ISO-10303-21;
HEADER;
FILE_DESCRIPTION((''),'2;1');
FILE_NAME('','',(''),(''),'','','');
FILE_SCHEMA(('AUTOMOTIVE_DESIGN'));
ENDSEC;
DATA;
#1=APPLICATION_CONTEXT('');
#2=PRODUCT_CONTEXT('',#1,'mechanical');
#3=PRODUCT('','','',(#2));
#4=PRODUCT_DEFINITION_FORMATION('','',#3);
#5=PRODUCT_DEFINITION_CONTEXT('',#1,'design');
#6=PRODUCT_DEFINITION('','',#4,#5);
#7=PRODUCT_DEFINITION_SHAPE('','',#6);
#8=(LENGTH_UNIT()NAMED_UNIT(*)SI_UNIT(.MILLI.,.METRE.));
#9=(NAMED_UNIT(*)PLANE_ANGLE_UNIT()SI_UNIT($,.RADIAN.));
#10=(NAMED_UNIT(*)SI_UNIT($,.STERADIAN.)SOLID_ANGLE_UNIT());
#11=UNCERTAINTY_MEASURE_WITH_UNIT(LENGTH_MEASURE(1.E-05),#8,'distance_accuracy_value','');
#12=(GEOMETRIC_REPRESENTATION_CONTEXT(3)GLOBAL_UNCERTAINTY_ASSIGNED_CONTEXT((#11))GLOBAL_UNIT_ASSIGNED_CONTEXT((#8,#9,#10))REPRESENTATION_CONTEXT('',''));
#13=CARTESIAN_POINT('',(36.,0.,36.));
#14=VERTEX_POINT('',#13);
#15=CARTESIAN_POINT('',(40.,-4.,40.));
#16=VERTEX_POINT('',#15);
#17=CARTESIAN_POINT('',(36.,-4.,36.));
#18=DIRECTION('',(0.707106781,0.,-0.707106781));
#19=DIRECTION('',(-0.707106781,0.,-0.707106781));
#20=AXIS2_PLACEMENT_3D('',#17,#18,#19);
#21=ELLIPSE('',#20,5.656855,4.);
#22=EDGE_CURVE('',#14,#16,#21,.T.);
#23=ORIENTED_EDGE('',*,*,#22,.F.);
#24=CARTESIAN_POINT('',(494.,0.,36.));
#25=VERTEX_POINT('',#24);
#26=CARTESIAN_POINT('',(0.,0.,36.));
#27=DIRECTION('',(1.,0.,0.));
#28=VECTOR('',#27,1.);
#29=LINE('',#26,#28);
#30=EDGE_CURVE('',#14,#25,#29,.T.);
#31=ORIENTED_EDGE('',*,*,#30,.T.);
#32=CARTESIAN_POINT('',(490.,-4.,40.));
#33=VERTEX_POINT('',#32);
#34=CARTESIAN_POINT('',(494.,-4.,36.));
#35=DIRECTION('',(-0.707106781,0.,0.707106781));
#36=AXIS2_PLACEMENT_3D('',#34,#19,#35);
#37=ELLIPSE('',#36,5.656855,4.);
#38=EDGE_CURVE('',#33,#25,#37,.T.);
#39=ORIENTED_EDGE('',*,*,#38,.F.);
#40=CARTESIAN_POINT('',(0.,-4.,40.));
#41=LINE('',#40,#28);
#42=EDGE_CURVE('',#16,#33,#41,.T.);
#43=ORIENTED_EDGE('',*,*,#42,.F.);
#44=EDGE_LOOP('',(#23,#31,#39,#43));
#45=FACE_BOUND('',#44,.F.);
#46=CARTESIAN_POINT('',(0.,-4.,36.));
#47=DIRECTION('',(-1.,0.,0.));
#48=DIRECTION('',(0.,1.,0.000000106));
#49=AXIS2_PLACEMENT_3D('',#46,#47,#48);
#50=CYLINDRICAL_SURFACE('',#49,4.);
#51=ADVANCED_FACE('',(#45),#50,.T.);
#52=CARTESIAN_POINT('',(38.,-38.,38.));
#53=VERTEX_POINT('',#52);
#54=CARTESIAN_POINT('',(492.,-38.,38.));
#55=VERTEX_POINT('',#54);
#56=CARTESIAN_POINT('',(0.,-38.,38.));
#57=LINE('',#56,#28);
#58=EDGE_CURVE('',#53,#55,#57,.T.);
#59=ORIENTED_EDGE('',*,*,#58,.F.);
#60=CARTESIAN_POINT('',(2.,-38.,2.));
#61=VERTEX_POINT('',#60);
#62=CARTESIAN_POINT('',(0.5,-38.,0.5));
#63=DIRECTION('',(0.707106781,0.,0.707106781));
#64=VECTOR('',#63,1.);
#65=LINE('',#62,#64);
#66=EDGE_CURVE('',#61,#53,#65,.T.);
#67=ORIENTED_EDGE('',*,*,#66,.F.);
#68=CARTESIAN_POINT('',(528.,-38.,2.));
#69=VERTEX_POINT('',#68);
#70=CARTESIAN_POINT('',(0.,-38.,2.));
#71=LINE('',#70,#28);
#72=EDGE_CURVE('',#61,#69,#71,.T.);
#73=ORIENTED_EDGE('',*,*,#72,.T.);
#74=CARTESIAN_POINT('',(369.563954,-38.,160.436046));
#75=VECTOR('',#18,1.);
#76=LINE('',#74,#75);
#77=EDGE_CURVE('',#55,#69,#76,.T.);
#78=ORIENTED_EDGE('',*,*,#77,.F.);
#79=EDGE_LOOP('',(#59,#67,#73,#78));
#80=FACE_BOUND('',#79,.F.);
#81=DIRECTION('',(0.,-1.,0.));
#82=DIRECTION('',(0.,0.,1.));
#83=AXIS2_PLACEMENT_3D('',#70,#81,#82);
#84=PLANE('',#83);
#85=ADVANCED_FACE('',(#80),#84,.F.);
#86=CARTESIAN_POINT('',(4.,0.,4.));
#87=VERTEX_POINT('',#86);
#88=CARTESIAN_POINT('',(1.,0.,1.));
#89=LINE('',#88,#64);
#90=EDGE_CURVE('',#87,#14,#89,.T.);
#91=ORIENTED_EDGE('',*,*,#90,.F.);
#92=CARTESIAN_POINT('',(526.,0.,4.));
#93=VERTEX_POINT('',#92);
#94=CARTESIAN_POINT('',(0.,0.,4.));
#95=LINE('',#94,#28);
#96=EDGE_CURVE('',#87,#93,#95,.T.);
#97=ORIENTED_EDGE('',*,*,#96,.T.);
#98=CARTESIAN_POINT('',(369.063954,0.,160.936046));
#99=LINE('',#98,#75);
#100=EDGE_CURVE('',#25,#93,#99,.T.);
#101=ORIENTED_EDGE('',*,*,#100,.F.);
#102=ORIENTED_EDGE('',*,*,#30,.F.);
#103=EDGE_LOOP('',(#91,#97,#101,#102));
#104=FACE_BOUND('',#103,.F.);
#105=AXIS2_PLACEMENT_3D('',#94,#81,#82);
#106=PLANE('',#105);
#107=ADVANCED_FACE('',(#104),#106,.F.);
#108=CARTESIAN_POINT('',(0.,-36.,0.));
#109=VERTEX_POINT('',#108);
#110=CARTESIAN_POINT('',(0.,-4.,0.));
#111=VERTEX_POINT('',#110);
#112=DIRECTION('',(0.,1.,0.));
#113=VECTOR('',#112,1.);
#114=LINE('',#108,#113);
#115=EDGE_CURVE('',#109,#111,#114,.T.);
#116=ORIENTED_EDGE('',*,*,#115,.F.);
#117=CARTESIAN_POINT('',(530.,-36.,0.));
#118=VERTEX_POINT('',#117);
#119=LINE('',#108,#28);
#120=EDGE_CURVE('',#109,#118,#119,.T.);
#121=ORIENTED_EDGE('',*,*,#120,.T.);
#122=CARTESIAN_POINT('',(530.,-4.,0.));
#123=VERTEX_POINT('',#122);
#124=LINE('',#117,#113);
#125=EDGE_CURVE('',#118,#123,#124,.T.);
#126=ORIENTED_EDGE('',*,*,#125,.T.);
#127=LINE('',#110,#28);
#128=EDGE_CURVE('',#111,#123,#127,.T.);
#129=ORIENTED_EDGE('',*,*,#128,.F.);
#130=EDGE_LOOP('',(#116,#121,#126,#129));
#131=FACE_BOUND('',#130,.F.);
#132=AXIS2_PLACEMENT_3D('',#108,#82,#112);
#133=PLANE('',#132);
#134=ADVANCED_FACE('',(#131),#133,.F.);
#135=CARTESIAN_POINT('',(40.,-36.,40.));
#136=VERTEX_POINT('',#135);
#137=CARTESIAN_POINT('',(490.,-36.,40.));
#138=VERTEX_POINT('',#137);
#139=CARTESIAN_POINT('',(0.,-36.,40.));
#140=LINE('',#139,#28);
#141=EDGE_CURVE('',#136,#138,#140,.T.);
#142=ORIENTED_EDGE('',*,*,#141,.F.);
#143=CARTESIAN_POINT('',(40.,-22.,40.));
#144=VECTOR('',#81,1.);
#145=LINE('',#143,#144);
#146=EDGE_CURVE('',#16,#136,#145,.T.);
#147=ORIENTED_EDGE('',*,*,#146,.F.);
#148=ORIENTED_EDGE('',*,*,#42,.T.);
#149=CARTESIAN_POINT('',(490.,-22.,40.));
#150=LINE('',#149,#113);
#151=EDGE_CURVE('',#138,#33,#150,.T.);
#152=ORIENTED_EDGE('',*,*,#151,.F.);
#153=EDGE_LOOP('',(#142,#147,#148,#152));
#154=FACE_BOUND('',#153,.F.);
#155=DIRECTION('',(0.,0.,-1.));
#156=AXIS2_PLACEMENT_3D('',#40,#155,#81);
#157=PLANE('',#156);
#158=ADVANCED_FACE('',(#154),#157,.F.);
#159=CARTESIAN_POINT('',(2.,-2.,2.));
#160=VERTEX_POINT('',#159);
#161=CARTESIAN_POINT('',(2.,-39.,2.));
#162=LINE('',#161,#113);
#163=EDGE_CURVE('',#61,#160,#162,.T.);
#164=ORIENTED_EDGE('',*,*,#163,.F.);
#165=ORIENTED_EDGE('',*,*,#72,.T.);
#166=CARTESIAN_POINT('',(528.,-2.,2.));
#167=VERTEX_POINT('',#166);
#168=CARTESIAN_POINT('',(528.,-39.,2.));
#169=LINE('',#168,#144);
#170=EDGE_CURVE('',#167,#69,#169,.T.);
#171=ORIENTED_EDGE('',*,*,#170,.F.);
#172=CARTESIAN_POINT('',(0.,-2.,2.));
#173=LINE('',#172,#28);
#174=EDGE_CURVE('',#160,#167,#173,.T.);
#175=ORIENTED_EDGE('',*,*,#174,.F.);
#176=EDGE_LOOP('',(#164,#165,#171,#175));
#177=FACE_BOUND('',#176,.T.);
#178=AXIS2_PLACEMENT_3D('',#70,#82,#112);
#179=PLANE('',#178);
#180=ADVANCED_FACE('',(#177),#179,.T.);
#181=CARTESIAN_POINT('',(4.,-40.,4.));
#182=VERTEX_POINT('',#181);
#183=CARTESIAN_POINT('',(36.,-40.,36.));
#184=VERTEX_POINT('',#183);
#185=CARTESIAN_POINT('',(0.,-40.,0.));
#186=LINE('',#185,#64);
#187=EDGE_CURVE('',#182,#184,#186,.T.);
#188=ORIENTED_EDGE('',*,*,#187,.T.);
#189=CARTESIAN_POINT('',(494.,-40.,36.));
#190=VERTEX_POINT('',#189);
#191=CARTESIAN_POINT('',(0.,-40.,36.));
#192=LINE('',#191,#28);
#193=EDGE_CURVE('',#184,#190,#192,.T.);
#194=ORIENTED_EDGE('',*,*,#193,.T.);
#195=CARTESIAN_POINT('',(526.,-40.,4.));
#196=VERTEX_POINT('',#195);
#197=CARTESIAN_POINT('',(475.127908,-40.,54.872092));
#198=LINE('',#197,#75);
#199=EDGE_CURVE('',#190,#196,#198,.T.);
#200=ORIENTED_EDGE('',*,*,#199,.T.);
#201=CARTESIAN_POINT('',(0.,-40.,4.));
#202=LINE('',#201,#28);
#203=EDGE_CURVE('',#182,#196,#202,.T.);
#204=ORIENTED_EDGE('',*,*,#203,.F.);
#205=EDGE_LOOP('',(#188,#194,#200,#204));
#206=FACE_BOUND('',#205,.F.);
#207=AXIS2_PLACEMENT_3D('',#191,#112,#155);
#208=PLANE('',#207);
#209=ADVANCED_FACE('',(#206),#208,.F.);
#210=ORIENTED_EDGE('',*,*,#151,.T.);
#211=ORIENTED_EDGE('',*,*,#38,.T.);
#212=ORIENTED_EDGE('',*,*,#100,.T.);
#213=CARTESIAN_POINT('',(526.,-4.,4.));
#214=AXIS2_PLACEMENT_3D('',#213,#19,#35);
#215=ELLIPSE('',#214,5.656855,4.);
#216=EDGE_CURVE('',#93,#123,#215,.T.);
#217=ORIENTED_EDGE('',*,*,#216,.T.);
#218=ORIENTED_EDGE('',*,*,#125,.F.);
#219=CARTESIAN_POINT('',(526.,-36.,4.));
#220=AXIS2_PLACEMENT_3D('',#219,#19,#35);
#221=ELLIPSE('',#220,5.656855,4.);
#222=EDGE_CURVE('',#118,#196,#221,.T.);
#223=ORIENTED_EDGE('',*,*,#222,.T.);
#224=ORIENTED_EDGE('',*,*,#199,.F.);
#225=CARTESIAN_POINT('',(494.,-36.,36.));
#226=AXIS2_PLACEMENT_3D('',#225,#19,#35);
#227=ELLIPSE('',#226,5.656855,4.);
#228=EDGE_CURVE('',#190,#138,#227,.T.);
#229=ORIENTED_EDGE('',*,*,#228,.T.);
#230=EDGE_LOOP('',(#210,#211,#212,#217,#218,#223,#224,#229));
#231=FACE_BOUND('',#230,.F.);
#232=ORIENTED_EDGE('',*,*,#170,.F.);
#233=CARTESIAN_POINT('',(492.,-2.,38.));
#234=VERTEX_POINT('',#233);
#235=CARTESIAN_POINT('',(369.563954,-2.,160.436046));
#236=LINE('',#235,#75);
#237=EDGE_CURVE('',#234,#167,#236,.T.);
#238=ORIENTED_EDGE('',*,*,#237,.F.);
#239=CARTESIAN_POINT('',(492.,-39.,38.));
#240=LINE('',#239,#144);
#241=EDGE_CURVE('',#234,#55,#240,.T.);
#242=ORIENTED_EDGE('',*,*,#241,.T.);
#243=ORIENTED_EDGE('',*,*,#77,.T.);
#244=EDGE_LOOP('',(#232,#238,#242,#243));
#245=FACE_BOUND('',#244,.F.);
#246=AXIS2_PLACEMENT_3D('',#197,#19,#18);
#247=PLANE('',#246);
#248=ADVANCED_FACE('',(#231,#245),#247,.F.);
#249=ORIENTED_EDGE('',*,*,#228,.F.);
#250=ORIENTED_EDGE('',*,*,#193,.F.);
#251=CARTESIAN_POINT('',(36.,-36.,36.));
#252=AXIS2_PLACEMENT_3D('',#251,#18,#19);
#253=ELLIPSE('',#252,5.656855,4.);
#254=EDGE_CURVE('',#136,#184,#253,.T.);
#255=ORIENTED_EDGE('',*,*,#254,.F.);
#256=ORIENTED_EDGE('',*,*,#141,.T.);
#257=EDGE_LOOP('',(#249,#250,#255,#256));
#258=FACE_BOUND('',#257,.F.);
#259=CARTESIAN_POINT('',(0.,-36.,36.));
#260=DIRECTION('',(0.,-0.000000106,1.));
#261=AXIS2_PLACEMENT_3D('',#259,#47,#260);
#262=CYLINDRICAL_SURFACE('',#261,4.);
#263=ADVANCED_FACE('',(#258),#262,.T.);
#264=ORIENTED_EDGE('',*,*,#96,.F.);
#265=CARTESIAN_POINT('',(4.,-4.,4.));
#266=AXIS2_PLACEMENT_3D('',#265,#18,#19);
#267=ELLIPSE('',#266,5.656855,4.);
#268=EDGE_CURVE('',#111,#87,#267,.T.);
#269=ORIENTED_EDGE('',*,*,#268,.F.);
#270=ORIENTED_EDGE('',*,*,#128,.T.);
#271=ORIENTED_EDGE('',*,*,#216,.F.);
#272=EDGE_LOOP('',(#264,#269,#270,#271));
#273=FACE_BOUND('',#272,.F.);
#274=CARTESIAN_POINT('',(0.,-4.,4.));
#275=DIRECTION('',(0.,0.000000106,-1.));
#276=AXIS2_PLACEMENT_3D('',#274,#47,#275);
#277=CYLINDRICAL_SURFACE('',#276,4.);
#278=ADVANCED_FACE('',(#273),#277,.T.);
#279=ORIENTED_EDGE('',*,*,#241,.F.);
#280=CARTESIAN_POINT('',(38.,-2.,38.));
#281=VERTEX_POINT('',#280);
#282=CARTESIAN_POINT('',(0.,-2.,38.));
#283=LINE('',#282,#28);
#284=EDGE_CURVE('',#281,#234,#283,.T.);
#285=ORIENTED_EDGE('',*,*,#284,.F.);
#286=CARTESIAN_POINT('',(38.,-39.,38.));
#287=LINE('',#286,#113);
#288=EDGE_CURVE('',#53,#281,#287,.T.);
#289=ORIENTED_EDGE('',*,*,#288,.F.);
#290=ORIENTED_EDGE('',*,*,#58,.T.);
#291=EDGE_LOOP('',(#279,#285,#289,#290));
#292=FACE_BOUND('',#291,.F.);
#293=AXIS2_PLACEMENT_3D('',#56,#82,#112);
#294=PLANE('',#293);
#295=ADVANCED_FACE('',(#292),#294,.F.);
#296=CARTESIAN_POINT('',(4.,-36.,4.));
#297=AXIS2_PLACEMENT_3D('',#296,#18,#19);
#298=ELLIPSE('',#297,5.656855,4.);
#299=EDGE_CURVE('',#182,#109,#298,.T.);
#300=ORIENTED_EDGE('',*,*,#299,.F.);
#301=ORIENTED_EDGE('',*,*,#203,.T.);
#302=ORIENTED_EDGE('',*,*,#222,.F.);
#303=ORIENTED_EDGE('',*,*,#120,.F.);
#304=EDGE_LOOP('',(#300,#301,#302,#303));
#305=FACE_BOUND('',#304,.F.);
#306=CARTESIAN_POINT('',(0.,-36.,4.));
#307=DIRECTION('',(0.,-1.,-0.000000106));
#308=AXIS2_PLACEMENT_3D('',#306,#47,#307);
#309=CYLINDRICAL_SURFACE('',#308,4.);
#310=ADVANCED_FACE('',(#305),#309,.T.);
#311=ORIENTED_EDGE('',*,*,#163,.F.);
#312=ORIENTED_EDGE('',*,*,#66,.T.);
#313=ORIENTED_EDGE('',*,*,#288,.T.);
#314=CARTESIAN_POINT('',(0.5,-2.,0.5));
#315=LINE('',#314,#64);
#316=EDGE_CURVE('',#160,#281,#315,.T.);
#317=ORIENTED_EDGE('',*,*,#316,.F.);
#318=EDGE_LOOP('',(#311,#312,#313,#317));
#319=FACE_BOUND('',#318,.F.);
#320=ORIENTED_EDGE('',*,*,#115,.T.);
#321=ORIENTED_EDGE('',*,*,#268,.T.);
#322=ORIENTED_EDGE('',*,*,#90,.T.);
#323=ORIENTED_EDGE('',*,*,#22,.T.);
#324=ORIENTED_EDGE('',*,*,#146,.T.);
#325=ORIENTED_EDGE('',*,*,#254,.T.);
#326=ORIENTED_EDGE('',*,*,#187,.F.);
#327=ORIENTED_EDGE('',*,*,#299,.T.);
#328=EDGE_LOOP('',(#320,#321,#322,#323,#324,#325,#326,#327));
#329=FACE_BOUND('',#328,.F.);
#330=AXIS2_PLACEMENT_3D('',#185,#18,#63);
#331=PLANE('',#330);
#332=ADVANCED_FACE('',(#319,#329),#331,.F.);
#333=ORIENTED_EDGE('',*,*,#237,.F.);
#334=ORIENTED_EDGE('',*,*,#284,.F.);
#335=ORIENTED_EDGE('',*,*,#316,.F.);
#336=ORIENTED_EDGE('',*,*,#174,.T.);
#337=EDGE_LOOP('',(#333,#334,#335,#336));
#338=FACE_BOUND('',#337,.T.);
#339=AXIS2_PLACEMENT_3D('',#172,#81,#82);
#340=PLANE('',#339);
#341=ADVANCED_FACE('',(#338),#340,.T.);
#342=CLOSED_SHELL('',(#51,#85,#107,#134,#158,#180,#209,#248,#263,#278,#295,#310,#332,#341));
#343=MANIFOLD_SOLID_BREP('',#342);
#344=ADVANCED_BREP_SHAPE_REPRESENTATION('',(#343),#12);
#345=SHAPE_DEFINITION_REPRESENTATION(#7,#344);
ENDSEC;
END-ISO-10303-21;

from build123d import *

# Parameters (mm, degrees)
F0_W     = 36
F0_H     = 36
F1_DEPTH = 530
F3_DEPTH = 40.001


with BuildPart() as f1:
    # F0 (on Right) → F1 (new body)
    with BuildSketch(Plane.YZ):
        with BuildLine():
            Line((-36, 0), (-4, 0))
            ThreePointArc((-4, 0), (-1.171573, 1.171573), (0, 4))
            Line((0, 4), (0, 36))
            ThreePointArc((0, 36), (-1.171573, 38.828427), (-4, 40))
            Line((-4, 40), (-36, 40))
            ThreePointArc((-36, 40), (-38.828427, 38.828427), (-40, 36))
            Line((-40, 36), (-40, 4))
            ThreePointArc((-40, 4), (-38.828427, 1.171573), (-36, 0))
        make_face()
        with Locations((-20, 20)):
            Rectangle(F0_W, F0_H, mode=Mode.SUBTRACT)
    extrude(amount=F1_DEPTH)

    # F2 (on face) → F3 (cut, through all)
    with BuildSketch(Plane.XZ.offset(40)):
        Polygon((0, 45.926278), (0, 0), (45.926278, 45.926278), align=None)
        Polygon((475.127908, 54.872092), (530, 0), (530, 54.872092), align=None)
    extrude(amount=-F3_DEPTH, mode=Mode.SUBTRACT)


solid = f1.part
